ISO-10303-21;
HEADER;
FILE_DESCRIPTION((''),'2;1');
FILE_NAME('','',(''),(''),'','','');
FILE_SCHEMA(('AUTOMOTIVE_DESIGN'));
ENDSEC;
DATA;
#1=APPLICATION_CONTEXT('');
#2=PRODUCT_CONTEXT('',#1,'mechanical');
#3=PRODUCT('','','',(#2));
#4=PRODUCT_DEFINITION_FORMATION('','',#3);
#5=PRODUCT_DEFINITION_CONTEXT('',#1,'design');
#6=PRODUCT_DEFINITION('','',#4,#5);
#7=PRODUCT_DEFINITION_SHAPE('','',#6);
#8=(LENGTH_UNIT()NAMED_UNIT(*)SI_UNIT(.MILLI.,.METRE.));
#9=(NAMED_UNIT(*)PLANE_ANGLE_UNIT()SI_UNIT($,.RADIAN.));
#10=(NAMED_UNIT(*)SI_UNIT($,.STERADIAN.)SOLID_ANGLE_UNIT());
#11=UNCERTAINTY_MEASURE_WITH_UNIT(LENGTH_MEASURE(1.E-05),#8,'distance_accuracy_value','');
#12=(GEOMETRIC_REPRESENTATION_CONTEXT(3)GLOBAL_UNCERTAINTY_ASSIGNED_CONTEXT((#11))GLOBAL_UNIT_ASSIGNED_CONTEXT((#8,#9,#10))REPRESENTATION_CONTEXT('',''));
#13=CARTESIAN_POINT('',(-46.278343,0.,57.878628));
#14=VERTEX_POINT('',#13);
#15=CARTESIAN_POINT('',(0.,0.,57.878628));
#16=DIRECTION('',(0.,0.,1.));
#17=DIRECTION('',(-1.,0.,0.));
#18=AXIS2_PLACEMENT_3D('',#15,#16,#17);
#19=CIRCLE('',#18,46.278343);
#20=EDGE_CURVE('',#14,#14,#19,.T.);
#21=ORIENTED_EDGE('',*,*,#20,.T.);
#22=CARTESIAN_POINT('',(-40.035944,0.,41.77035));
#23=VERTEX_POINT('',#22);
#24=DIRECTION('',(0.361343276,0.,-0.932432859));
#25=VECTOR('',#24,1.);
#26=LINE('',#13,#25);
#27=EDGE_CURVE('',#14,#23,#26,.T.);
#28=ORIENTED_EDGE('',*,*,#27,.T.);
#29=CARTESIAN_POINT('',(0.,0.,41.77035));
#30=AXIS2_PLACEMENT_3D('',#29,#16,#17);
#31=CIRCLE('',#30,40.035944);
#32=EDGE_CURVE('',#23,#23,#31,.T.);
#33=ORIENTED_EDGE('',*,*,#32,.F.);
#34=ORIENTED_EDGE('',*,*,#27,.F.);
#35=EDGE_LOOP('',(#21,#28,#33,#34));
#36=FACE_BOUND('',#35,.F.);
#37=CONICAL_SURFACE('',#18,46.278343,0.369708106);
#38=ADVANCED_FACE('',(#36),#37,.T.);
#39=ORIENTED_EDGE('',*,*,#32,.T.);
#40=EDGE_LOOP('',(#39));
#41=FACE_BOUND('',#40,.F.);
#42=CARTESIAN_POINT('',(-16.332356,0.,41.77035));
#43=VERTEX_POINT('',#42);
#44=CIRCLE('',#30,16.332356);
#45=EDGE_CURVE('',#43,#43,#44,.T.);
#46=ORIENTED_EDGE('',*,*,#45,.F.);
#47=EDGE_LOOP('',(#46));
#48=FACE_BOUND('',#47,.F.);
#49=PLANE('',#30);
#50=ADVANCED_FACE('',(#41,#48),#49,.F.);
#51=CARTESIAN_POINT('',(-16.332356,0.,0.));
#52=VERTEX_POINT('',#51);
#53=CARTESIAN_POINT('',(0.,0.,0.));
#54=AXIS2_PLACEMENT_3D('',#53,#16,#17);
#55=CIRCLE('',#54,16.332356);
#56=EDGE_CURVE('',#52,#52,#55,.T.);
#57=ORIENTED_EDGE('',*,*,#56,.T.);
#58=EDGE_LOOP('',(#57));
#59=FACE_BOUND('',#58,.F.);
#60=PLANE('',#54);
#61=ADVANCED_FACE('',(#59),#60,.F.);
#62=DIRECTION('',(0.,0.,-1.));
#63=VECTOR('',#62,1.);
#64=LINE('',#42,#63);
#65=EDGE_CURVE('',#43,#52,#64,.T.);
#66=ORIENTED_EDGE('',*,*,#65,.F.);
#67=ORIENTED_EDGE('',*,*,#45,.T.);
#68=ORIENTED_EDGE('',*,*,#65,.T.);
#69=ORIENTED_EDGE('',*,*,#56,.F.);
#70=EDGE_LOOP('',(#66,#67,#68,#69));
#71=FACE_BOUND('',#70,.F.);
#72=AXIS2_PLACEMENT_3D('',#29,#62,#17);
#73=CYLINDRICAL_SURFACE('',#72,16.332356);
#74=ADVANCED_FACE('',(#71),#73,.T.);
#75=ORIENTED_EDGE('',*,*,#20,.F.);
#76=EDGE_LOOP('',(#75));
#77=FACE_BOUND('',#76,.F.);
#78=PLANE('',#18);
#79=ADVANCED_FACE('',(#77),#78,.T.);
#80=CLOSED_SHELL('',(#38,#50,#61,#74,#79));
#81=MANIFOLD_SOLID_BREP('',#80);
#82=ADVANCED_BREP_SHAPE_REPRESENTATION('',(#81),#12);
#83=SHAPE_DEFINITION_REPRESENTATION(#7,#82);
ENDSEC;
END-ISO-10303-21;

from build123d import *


with BuildPart() as f1:
    # F0 (on Front) → F1 (revolve)
    with BuildSketch(Plane.XZ):
        Polygon((-16.332356, 0), (0, 0), (0, 57.878628), (-40.035944, 57.878628), (-40.035944, 41.77035), (-16.332356, 41.77035), align=None)
        Polygon((-40.035944, 41.77035), (-40.035944, 57.878628), (-46.278343, 57.878628), align=None)
    revolve(axis=Axis((0, 0, 28.939314), (0, 0, 1)))


solid = f1.part
